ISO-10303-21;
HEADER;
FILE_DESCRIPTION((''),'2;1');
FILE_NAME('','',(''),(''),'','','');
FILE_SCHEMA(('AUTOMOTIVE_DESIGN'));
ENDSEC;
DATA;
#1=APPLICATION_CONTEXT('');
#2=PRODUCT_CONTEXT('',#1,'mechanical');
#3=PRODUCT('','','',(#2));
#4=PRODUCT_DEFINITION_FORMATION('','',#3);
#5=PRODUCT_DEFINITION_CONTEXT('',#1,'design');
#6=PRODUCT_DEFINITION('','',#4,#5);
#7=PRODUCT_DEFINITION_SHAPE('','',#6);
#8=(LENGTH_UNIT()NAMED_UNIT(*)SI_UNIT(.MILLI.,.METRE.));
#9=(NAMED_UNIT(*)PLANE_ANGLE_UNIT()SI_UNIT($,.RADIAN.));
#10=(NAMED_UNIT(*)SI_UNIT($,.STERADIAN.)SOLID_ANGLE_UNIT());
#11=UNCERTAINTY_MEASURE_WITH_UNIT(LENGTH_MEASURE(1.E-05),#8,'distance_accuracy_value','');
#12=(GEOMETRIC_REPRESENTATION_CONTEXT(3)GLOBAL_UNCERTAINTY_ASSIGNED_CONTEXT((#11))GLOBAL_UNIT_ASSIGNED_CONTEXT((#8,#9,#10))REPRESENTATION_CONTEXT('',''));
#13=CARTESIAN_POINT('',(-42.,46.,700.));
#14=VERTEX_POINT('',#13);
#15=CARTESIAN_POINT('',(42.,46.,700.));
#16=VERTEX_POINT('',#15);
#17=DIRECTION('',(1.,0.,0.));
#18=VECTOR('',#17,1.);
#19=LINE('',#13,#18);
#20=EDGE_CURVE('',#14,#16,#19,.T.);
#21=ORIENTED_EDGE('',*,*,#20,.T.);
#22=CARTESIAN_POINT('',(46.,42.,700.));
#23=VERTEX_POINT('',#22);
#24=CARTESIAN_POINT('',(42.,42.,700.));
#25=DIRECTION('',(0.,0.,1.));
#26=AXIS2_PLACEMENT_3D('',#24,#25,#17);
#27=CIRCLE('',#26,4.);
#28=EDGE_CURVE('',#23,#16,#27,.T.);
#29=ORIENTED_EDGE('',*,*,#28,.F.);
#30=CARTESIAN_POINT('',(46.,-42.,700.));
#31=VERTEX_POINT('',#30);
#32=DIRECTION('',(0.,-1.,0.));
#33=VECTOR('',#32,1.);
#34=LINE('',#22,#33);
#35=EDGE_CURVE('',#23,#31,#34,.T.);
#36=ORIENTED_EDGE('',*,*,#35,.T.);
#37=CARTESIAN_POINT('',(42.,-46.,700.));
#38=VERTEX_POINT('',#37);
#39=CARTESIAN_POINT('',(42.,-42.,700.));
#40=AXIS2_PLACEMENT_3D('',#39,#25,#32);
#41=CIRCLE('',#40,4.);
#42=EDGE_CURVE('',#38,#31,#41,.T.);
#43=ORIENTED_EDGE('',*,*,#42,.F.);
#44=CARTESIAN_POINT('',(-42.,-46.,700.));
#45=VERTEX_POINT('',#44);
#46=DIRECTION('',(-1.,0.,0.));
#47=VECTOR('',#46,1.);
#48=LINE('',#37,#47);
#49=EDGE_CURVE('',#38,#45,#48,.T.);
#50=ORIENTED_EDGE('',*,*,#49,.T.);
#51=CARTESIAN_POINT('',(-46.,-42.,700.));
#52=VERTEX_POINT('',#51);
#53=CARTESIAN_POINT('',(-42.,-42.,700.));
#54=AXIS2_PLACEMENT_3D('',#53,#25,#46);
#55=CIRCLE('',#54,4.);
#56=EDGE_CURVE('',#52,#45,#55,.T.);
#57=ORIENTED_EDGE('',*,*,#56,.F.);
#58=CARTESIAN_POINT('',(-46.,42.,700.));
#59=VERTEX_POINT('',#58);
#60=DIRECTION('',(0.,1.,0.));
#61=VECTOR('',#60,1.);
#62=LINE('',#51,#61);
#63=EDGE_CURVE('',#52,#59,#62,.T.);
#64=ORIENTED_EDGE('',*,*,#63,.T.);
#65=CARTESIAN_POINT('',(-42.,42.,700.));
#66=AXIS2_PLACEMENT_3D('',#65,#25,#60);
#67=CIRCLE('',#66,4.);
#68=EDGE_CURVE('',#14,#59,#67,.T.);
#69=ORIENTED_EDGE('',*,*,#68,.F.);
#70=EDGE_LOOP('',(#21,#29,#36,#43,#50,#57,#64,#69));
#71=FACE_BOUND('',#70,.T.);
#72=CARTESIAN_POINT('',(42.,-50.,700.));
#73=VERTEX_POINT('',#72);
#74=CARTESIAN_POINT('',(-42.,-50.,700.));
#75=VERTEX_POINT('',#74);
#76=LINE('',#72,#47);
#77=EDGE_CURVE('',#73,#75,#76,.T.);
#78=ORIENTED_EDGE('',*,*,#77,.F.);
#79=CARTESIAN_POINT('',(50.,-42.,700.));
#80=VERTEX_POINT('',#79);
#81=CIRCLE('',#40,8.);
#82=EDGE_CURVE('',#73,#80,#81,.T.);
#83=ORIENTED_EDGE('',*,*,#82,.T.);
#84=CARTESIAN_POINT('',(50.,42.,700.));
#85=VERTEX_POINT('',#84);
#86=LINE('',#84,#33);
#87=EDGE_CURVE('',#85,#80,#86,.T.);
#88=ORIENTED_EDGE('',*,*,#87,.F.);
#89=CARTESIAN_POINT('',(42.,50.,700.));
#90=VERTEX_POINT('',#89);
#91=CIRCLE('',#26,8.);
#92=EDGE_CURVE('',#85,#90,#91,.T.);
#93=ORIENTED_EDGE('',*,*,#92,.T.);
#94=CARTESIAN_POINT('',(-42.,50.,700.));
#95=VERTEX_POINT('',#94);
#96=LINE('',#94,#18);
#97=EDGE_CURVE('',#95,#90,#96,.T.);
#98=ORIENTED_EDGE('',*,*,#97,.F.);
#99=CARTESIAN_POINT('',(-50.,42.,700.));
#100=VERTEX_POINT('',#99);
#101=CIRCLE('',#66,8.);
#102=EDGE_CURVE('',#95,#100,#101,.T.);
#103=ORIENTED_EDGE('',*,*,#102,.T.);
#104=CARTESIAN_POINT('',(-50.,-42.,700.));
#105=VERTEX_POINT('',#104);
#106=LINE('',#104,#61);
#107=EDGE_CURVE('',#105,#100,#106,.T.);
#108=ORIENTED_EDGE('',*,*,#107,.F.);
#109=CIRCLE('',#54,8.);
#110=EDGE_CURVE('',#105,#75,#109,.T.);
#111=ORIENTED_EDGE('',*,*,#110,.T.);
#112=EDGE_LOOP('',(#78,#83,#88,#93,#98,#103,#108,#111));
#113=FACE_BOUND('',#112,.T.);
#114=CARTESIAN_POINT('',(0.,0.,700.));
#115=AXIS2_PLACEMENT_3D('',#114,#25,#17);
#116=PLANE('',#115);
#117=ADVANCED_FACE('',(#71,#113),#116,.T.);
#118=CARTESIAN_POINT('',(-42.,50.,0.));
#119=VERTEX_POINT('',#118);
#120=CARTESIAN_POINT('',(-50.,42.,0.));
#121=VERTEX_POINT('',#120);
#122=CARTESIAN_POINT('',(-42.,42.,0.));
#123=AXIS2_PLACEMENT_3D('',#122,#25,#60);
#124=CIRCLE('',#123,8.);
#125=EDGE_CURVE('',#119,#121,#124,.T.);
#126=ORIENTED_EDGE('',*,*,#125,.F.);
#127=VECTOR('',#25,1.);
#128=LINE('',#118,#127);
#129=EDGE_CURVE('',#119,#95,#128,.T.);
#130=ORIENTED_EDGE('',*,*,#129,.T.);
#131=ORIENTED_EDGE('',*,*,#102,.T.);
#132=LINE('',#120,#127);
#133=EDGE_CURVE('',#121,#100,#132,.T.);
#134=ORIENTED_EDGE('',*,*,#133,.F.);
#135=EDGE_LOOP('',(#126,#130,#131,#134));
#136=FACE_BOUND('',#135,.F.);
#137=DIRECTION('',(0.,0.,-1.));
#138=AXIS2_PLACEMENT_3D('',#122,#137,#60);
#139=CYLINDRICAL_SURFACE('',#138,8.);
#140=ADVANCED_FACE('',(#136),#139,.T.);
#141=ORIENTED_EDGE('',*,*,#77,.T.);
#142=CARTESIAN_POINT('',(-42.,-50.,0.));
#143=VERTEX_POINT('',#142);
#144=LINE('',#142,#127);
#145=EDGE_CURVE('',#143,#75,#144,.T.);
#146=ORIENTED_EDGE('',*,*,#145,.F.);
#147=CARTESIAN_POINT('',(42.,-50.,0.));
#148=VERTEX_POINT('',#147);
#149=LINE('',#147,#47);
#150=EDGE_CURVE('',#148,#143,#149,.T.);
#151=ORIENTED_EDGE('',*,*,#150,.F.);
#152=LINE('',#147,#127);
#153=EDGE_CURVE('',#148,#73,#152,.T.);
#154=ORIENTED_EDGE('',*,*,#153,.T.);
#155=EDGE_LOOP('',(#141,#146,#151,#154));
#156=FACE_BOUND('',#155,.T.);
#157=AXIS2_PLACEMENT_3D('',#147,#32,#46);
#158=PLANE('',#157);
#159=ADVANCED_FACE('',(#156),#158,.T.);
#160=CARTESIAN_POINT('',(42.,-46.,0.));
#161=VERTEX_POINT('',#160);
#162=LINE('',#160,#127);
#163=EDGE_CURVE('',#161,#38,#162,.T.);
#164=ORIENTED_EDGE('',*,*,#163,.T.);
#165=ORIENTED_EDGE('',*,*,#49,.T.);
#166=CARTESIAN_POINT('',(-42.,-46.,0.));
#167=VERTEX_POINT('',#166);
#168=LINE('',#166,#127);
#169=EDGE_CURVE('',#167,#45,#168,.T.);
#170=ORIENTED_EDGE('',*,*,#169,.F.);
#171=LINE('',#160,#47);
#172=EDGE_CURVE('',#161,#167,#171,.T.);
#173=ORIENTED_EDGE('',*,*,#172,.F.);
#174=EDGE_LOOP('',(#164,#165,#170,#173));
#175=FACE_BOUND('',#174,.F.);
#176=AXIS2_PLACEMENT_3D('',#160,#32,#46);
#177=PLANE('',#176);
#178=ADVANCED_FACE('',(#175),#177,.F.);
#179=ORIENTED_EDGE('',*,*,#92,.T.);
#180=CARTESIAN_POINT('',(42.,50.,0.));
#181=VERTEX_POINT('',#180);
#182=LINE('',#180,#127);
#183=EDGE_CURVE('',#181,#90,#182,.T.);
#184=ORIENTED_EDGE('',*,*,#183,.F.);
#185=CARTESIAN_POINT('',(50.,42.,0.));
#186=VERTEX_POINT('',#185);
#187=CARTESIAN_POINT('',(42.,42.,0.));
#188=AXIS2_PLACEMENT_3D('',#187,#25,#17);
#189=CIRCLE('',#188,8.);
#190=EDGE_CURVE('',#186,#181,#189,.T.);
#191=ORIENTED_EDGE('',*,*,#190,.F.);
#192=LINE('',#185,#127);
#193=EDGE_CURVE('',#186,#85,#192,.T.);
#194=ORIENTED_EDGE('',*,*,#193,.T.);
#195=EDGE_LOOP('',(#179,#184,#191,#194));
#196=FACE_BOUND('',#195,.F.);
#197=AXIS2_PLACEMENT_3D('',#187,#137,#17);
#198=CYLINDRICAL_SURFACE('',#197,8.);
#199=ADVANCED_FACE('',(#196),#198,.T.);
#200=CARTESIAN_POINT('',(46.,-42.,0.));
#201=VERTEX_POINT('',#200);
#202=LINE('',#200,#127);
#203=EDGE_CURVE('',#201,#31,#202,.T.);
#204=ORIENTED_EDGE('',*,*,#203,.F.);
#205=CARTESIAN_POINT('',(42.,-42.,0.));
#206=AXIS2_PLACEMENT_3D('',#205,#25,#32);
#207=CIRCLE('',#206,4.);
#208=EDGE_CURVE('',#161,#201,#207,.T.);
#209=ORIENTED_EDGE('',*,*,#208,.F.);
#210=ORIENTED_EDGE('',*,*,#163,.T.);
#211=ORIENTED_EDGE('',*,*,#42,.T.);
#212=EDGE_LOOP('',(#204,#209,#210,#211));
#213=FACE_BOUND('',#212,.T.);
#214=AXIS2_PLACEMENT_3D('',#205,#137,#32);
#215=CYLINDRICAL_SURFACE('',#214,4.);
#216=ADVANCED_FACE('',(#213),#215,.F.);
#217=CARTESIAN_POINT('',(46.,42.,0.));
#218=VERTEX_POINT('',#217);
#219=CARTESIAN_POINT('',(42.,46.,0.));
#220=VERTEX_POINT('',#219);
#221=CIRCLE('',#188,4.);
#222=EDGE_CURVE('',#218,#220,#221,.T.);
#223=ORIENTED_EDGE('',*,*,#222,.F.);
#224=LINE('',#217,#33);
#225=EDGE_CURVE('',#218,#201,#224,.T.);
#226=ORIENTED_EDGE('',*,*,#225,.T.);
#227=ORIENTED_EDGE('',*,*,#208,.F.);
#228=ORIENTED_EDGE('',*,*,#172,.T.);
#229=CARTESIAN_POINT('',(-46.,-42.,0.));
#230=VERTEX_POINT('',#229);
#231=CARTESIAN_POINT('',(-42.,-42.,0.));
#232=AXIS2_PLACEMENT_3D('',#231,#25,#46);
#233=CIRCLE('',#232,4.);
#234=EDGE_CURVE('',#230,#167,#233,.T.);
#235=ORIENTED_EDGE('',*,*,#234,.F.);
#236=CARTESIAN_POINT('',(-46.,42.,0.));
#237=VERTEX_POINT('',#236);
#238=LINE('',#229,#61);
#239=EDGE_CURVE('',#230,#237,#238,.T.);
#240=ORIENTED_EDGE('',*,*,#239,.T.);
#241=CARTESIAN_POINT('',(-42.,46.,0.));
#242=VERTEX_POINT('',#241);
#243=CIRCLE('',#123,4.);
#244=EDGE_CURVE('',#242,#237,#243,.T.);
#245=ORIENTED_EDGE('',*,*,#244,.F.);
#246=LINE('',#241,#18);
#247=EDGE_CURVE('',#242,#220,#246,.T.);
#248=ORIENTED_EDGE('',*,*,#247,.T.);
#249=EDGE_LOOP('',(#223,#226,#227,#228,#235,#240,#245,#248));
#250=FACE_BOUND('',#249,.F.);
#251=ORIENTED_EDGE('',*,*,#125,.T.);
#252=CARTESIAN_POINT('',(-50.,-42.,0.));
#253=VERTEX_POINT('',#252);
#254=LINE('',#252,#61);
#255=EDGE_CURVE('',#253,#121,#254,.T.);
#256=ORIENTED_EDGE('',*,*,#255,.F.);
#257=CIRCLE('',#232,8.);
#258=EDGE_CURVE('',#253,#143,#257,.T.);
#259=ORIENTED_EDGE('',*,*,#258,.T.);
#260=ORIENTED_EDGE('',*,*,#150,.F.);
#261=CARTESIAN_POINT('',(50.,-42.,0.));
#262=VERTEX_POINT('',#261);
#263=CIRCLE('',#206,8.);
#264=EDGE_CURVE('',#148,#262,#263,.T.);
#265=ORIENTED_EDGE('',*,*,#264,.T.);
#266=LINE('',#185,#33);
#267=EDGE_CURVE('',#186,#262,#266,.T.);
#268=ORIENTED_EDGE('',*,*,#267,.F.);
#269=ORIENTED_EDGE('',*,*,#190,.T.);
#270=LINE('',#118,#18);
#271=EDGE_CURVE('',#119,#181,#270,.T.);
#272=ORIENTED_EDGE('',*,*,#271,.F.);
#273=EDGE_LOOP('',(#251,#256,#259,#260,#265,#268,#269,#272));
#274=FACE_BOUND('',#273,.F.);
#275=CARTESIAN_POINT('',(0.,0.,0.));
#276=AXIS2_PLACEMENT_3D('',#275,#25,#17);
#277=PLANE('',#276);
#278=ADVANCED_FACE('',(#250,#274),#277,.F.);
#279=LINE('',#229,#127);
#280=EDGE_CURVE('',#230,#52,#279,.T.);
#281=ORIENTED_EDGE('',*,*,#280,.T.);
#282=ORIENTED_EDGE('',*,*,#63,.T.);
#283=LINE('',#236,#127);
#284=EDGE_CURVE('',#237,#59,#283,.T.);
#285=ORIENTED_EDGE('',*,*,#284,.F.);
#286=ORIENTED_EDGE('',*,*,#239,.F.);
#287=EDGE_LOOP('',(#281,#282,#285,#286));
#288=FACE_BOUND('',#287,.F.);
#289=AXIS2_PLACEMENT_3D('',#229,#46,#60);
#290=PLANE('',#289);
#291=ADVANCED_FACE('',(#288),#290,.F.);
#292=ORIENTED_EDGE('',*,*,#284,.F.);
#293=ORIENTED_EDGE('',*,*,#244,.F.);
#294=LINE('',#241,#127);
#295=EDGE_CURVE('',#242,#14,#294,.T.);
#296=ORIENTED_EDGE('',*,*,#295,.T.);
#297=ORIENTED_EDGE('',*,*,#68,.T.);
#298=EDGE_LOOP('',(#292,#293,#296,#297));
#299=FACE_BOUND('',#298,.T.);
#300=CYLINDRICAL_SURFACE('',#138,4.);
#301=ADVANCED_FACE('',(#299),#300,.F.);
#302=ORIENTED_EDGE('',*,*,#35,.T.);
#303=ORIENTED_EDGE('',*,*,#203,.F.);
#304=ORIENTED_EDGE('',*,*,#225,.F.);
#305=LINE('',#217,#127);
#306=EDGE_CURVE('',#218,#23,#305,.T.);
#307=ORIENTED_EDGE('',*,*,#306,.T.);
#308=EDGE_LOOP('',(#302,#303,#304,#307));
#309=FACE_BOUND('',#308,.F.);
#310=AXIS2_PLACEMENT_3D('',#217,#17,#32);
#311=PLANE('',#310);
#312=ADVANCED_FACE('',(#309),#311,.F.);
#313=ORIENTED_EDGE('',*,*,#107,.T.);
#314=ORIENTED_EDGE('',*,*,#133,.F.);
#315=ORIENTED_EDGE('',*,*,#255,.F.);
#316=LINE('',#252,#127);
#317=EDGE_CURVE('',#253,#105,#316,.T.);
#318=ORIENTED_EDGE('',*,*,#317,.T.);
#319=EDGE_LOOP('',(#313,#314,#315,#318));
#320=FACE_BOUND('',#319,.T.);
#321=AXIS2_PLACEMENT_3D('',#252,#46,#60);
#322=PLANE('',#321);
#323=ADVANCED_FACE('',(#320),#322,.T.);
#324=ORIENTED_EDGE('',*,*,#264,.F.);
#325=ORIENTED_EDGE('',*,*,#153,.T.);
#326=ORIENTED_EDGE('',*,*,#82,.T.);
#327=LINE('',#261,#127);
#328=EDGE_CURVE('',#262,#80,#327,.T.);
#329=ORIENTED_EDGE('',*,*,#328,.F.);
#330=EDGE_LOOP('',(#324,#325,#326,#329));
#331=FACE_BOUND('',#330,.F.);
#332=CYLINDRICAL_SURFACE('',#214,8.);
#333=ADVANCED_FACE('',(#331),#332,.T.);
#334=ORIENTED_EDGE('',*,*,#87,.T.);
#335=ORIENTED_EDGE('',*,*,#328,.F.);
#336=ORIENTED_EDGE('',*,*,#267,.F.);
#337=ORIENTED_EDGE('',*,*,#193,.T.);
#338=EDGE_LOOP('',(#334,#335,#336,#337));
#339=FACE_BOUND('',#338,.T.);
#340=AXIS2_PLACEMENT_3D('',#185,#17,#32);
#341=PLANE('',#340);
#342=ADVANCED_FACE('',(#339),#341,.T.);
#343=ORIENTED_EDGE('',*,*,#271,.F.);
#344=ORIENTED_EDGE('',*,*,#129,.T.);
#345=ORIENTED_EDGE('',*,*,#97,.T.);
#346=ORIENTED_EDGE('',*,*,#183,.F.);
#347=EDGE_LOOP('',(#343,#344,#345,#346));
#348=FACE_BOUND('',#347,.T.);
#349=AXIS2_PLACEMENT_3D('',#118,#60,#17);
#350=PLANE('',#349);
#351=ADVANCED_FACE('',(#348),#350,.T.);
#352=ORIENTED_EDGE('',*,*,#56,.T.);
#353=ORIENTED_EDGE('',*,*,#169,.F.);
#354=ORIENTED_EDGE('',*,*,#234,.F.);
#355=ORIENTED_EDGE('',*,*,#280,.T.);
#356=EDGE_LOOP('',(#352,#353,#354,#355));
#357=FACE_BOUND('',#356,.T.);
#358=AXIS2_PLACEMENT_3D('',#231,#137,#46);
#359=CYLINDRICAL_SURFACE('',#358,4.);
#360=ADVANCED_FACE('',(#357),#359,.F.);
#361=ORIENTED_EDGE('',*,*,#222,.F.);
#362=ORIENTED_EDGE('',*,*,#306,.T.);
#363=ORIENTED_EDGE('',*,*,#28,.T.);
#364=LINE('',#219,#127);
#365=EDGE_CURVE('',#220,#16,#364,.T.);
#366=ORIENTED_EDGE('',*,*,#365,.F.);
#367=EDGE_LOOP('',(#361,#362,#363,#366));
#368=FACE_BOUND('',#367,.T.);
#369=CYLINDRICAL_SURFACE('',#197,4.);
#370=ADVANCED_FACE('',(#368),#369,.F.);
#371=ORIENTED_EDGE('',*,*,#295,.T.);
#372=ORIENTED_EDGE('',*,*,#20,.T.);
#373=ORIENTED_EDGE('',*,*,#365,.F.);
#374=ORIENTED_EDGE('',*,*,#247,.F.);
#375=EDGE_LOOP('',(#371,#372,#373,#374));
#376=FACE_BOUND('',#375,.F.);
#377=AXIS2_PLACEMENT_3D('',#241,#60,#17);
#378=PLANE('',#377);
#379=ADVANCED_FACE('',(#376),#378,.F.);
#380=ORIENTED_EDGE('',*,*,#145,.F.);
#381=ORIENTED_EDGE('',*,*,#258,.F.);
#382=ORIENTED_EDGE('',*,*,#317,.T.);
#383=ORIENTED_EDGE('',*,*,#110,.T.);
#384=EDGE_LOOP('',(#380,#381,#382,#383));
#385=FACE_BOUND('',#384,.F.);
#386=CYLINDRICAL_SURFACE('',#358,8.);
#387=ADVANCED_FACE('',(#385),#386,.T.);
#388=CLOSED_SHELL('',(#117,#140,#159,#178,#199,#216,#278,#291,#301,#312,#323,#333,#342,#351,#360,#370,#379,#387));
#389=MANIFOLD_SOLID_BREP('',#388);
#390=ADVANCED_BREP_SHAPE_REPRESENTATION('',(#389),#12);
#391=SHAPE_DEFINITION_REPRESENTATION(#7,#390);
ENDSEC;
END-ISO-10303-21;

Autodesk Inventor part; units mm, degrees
ref_plane "YZ Plane" through (0, 0, 0) normal (1, 0, 0) x (0, 1, 0)
ref_plane "Start Plane" through (0, 0, 0) normal (0, 0, 1) x (1, 0, 0)
ref_plane "End Plane" through (0, 0, 700) normal (0, 0, 1) x (1, 0, 0)
sketch "Sketch" plane through (0, 0, 0) normal (0, 0, 1) x (1, 0, 0)
  line L0 (-50, -42) -> (-50, 42)
  line L1 (-42, 50) -> (42, 50)
  line L2 (50, 42) -> (50, -42)
  line L3 (42, -50) -> (-42, -50)
  arc A0 (-50, -42) -> (-42, -50) centre (-42, -42) ccw
  arc A1 (50, 42) -> (42, 50) centre (42, 42) ccw
  arc A2 (-42, 50) -> (-50, 42) centre (-42, 42) ccw
  arc A3 (42, -50) -> (50, -42) centre (42, -42) ccw
  arc A4 (-42, 46) -> (-46, 42) centre (-42, 42) ccw
  line L4 (-42, 46) -> (42, 46)
  arc A5 (46, 42) -> (42, 46) centre (42, 42) ccw
  line L5 (46, 42) -> (46, -42)
  arc A6 (42, -46) -> (46, -42) centre (42, -42) ccw
  line L6 (42, -46) -> (-42, -46)
  arc A7 (-46, -42) -> (-42, -46) centre (-42, -42) ccw
  line L7 (-46, -42) -> (-46, 42)
  line L8 (0, 72.3196) -> (0, -72.3196) construction
  line L9 (-72.3196, 0) -> (72.3196, 0) construction
  dimension "d7" = 8
  dimension "d9" = 100
  dimension "d11" = 100
  dimension "d12" = 4
  dimension "d15" = 50
  dimension "d16" = 50
extrude "Body" add sketch "Sketch" along normal up to surface (700 mm away) from surface at 0
sketch "Sketch3" plane through (0, 0, 0) normal (0, 0, 1) x (1, 0, 0)
  line L0 (0, 0) -> (10, 0)
ref_plane "Work Plane3" through (0, 0, 0) normal (0, -1, 0) x (1, 0, 0)
sketch "Sketch4" plane through (0, 0, 0) normal (0, -1, 0) x (1, 0, 0)
  line L0 (-2, 0) -> (12, 0) projected
  line L1 (-2, 700) -> (12, 700) projected
  dimension "d18" = 700
equation "\"d7\" = G_IR"
equation "\"d9\" = G_W"
equation "\"d11\" = G_H"
equation "\"d12\" = G_T"
equation "\"d15\" = 0.5 * d9"
equation "\"d16\" = 0.5 * d11"
equation "\"d3\" = G_L"
equation "\"G_W\" = 100"
equation "\"G_H\" = 100"
equation "\"G_T\" = 4"
equation "\"G_IR\" = 8"
equation "\"G_L\" = d18"
equation "\"G_OFFSET_START\" = 0"
equation "\"G_OFFSET_END\" = 0"
properties part number "ISO 10799-2 - 100x100x4 - 700" material "Steel, Mild"
